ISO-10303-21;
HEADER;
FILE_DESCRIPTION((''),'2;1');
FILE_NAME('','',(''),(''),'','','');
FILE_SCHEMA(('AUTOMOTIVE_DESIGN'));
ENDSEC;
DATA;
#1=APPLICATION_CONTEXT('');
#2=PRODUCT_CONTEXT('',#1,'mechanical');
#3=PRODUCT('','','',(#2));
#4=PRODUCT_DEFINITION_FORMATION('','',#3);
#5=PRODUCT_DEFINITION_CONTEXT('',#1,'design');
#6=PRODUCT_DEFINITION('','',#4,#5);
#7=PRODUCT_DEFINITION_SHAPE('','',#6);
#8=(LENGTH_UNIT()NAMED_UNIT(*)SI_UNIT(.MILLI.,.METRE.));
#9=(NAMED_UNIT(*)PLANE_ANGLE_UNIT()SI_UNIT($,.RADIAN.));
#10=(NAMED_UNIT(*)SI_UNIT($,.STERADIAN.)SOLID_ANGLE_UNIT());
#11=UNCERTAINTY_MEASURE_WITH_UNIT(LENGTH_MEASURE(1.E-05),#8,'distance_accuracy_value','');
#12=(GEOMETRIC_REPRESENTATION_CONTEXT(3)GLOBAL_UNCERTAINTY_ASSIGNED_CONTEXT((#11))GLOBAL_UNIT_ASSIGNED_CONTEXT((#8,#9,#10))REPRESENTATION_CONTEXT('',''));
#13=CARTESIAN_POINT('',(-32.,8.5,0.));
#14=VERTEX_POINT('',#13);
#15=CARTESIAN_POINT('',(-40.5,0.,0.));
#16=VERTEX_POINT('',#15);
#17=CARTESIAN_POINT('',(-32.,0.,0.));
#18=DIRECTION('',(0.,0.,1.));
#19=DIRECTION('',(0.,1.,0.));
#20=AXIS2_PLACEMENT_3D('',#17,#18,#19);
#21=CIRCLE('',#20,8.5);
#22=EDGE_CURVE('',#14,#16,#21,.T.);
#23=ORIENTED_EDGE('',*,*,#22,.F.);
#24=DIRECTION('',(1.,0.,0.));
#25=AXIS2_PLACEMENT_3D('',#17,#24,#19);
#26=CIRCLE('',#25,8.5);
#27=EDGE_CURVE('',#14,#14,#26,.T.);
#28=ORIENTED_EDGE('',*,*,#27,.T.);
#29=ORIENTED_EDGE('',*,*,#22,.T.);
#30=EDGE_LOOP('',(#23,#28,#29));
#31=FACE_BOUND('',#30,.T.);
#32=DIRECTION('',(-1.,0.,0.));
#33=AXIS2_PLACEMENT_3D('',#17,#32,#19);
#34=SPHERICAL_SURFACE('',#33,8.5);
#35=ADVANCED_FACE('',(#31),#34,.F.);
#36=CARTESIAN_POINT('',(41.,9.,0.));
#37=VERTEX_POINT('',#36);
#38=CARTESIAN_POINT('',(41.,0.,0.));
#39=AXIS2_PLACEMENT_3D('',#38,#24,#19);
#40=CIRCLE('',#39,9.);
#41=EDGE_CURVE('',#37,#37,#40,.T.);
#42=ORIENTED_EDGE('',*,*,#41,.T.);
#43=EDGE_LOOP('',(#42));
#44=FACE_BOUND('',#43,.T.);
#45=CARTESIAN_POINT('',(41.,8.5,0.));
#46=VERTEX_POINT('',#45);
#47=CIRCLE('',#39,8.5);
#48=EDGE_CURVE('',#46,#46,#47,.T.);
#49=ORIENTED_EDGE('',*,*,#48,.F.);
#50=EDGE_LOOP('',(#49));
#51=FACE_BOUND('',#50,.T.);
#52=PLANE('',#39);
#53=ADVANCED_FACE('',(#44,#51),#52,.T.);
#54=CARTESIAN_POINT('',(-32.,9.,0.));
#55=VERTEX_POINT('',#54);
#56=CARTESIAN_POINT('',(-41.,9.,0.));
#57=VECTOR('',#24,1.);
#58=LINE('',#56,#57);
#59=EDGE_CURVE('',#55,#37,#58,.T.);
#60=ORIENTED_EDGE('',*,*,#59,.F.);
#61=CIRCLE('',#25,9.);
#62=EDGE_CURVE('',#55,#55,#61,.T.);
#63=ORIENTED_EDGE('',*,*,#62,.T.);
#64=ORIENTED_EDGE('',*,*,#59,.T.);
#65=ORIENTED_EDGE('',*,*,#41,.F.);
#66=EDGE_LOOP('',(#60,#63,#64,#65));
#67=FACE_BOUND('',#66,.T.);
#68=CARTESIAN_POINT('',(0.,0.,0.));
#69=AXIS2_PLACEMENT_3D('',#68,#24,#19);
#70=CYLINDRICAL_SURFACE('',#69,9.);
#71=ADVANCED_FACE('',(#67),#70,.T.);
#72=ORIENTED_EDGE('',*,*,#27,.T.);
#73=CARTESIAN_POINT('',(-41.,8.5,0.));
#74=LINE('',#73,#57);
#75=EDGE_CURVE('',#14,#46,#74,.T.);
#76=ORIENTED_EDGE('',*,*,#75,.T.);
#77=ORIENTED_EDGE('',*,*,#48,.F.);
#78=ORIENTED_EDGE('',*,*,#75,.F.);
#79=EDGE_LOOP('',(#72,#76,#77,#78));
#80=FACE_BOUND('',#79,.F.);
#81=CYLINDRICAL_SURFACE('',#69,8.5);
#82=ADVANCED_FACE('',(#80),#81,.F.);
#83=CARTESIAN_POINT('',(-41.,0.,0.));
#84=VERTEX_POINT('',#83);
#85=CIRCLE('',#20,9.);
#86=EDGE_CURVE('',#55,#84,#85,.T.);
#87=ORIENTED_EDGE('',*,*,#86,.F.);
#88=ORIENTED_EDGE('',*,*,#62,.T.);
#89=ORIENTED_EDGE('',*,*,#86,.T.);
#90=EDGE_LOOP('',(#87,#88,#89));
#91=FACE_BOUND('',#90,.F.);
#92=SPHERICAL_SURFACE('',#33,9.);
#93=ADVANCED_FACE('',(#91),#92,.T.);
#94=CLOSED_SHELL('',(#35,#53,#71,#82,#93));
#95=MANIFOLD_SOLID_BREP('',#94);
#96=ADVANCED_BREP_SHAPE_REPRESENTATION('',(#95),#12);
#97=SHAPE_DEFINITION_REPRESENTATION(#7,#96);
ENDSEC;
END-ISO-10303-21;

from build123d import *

# Parameters (mm, degrees)
F0_R     = 9
F1_DEPTH = 41
F2_R     = 9
F3_T     = -0.5


with BuildPart() as f1:
    # F0 (on Right) → F1 (new body, symmetric)
    with BuildSketch(Plane.YZ):
        Circle(F0_R)
    extrude(amount=F1_DEPTH, both=True)

    # F2
    f2_edges = [f1.edges().sort_by_distance(p)[0] for p in [
        (-41, -9, 0),
    ]]
    fillet(f2_edges, radius=F2_R)

    # F3
    f3_openings = [f1.faces().sort_by_distance(p)[0] for p in [
        (41, 0, 0),
    ]]
    offset(amount=F3_T, openings=f3_openings)


solid = f1.part
